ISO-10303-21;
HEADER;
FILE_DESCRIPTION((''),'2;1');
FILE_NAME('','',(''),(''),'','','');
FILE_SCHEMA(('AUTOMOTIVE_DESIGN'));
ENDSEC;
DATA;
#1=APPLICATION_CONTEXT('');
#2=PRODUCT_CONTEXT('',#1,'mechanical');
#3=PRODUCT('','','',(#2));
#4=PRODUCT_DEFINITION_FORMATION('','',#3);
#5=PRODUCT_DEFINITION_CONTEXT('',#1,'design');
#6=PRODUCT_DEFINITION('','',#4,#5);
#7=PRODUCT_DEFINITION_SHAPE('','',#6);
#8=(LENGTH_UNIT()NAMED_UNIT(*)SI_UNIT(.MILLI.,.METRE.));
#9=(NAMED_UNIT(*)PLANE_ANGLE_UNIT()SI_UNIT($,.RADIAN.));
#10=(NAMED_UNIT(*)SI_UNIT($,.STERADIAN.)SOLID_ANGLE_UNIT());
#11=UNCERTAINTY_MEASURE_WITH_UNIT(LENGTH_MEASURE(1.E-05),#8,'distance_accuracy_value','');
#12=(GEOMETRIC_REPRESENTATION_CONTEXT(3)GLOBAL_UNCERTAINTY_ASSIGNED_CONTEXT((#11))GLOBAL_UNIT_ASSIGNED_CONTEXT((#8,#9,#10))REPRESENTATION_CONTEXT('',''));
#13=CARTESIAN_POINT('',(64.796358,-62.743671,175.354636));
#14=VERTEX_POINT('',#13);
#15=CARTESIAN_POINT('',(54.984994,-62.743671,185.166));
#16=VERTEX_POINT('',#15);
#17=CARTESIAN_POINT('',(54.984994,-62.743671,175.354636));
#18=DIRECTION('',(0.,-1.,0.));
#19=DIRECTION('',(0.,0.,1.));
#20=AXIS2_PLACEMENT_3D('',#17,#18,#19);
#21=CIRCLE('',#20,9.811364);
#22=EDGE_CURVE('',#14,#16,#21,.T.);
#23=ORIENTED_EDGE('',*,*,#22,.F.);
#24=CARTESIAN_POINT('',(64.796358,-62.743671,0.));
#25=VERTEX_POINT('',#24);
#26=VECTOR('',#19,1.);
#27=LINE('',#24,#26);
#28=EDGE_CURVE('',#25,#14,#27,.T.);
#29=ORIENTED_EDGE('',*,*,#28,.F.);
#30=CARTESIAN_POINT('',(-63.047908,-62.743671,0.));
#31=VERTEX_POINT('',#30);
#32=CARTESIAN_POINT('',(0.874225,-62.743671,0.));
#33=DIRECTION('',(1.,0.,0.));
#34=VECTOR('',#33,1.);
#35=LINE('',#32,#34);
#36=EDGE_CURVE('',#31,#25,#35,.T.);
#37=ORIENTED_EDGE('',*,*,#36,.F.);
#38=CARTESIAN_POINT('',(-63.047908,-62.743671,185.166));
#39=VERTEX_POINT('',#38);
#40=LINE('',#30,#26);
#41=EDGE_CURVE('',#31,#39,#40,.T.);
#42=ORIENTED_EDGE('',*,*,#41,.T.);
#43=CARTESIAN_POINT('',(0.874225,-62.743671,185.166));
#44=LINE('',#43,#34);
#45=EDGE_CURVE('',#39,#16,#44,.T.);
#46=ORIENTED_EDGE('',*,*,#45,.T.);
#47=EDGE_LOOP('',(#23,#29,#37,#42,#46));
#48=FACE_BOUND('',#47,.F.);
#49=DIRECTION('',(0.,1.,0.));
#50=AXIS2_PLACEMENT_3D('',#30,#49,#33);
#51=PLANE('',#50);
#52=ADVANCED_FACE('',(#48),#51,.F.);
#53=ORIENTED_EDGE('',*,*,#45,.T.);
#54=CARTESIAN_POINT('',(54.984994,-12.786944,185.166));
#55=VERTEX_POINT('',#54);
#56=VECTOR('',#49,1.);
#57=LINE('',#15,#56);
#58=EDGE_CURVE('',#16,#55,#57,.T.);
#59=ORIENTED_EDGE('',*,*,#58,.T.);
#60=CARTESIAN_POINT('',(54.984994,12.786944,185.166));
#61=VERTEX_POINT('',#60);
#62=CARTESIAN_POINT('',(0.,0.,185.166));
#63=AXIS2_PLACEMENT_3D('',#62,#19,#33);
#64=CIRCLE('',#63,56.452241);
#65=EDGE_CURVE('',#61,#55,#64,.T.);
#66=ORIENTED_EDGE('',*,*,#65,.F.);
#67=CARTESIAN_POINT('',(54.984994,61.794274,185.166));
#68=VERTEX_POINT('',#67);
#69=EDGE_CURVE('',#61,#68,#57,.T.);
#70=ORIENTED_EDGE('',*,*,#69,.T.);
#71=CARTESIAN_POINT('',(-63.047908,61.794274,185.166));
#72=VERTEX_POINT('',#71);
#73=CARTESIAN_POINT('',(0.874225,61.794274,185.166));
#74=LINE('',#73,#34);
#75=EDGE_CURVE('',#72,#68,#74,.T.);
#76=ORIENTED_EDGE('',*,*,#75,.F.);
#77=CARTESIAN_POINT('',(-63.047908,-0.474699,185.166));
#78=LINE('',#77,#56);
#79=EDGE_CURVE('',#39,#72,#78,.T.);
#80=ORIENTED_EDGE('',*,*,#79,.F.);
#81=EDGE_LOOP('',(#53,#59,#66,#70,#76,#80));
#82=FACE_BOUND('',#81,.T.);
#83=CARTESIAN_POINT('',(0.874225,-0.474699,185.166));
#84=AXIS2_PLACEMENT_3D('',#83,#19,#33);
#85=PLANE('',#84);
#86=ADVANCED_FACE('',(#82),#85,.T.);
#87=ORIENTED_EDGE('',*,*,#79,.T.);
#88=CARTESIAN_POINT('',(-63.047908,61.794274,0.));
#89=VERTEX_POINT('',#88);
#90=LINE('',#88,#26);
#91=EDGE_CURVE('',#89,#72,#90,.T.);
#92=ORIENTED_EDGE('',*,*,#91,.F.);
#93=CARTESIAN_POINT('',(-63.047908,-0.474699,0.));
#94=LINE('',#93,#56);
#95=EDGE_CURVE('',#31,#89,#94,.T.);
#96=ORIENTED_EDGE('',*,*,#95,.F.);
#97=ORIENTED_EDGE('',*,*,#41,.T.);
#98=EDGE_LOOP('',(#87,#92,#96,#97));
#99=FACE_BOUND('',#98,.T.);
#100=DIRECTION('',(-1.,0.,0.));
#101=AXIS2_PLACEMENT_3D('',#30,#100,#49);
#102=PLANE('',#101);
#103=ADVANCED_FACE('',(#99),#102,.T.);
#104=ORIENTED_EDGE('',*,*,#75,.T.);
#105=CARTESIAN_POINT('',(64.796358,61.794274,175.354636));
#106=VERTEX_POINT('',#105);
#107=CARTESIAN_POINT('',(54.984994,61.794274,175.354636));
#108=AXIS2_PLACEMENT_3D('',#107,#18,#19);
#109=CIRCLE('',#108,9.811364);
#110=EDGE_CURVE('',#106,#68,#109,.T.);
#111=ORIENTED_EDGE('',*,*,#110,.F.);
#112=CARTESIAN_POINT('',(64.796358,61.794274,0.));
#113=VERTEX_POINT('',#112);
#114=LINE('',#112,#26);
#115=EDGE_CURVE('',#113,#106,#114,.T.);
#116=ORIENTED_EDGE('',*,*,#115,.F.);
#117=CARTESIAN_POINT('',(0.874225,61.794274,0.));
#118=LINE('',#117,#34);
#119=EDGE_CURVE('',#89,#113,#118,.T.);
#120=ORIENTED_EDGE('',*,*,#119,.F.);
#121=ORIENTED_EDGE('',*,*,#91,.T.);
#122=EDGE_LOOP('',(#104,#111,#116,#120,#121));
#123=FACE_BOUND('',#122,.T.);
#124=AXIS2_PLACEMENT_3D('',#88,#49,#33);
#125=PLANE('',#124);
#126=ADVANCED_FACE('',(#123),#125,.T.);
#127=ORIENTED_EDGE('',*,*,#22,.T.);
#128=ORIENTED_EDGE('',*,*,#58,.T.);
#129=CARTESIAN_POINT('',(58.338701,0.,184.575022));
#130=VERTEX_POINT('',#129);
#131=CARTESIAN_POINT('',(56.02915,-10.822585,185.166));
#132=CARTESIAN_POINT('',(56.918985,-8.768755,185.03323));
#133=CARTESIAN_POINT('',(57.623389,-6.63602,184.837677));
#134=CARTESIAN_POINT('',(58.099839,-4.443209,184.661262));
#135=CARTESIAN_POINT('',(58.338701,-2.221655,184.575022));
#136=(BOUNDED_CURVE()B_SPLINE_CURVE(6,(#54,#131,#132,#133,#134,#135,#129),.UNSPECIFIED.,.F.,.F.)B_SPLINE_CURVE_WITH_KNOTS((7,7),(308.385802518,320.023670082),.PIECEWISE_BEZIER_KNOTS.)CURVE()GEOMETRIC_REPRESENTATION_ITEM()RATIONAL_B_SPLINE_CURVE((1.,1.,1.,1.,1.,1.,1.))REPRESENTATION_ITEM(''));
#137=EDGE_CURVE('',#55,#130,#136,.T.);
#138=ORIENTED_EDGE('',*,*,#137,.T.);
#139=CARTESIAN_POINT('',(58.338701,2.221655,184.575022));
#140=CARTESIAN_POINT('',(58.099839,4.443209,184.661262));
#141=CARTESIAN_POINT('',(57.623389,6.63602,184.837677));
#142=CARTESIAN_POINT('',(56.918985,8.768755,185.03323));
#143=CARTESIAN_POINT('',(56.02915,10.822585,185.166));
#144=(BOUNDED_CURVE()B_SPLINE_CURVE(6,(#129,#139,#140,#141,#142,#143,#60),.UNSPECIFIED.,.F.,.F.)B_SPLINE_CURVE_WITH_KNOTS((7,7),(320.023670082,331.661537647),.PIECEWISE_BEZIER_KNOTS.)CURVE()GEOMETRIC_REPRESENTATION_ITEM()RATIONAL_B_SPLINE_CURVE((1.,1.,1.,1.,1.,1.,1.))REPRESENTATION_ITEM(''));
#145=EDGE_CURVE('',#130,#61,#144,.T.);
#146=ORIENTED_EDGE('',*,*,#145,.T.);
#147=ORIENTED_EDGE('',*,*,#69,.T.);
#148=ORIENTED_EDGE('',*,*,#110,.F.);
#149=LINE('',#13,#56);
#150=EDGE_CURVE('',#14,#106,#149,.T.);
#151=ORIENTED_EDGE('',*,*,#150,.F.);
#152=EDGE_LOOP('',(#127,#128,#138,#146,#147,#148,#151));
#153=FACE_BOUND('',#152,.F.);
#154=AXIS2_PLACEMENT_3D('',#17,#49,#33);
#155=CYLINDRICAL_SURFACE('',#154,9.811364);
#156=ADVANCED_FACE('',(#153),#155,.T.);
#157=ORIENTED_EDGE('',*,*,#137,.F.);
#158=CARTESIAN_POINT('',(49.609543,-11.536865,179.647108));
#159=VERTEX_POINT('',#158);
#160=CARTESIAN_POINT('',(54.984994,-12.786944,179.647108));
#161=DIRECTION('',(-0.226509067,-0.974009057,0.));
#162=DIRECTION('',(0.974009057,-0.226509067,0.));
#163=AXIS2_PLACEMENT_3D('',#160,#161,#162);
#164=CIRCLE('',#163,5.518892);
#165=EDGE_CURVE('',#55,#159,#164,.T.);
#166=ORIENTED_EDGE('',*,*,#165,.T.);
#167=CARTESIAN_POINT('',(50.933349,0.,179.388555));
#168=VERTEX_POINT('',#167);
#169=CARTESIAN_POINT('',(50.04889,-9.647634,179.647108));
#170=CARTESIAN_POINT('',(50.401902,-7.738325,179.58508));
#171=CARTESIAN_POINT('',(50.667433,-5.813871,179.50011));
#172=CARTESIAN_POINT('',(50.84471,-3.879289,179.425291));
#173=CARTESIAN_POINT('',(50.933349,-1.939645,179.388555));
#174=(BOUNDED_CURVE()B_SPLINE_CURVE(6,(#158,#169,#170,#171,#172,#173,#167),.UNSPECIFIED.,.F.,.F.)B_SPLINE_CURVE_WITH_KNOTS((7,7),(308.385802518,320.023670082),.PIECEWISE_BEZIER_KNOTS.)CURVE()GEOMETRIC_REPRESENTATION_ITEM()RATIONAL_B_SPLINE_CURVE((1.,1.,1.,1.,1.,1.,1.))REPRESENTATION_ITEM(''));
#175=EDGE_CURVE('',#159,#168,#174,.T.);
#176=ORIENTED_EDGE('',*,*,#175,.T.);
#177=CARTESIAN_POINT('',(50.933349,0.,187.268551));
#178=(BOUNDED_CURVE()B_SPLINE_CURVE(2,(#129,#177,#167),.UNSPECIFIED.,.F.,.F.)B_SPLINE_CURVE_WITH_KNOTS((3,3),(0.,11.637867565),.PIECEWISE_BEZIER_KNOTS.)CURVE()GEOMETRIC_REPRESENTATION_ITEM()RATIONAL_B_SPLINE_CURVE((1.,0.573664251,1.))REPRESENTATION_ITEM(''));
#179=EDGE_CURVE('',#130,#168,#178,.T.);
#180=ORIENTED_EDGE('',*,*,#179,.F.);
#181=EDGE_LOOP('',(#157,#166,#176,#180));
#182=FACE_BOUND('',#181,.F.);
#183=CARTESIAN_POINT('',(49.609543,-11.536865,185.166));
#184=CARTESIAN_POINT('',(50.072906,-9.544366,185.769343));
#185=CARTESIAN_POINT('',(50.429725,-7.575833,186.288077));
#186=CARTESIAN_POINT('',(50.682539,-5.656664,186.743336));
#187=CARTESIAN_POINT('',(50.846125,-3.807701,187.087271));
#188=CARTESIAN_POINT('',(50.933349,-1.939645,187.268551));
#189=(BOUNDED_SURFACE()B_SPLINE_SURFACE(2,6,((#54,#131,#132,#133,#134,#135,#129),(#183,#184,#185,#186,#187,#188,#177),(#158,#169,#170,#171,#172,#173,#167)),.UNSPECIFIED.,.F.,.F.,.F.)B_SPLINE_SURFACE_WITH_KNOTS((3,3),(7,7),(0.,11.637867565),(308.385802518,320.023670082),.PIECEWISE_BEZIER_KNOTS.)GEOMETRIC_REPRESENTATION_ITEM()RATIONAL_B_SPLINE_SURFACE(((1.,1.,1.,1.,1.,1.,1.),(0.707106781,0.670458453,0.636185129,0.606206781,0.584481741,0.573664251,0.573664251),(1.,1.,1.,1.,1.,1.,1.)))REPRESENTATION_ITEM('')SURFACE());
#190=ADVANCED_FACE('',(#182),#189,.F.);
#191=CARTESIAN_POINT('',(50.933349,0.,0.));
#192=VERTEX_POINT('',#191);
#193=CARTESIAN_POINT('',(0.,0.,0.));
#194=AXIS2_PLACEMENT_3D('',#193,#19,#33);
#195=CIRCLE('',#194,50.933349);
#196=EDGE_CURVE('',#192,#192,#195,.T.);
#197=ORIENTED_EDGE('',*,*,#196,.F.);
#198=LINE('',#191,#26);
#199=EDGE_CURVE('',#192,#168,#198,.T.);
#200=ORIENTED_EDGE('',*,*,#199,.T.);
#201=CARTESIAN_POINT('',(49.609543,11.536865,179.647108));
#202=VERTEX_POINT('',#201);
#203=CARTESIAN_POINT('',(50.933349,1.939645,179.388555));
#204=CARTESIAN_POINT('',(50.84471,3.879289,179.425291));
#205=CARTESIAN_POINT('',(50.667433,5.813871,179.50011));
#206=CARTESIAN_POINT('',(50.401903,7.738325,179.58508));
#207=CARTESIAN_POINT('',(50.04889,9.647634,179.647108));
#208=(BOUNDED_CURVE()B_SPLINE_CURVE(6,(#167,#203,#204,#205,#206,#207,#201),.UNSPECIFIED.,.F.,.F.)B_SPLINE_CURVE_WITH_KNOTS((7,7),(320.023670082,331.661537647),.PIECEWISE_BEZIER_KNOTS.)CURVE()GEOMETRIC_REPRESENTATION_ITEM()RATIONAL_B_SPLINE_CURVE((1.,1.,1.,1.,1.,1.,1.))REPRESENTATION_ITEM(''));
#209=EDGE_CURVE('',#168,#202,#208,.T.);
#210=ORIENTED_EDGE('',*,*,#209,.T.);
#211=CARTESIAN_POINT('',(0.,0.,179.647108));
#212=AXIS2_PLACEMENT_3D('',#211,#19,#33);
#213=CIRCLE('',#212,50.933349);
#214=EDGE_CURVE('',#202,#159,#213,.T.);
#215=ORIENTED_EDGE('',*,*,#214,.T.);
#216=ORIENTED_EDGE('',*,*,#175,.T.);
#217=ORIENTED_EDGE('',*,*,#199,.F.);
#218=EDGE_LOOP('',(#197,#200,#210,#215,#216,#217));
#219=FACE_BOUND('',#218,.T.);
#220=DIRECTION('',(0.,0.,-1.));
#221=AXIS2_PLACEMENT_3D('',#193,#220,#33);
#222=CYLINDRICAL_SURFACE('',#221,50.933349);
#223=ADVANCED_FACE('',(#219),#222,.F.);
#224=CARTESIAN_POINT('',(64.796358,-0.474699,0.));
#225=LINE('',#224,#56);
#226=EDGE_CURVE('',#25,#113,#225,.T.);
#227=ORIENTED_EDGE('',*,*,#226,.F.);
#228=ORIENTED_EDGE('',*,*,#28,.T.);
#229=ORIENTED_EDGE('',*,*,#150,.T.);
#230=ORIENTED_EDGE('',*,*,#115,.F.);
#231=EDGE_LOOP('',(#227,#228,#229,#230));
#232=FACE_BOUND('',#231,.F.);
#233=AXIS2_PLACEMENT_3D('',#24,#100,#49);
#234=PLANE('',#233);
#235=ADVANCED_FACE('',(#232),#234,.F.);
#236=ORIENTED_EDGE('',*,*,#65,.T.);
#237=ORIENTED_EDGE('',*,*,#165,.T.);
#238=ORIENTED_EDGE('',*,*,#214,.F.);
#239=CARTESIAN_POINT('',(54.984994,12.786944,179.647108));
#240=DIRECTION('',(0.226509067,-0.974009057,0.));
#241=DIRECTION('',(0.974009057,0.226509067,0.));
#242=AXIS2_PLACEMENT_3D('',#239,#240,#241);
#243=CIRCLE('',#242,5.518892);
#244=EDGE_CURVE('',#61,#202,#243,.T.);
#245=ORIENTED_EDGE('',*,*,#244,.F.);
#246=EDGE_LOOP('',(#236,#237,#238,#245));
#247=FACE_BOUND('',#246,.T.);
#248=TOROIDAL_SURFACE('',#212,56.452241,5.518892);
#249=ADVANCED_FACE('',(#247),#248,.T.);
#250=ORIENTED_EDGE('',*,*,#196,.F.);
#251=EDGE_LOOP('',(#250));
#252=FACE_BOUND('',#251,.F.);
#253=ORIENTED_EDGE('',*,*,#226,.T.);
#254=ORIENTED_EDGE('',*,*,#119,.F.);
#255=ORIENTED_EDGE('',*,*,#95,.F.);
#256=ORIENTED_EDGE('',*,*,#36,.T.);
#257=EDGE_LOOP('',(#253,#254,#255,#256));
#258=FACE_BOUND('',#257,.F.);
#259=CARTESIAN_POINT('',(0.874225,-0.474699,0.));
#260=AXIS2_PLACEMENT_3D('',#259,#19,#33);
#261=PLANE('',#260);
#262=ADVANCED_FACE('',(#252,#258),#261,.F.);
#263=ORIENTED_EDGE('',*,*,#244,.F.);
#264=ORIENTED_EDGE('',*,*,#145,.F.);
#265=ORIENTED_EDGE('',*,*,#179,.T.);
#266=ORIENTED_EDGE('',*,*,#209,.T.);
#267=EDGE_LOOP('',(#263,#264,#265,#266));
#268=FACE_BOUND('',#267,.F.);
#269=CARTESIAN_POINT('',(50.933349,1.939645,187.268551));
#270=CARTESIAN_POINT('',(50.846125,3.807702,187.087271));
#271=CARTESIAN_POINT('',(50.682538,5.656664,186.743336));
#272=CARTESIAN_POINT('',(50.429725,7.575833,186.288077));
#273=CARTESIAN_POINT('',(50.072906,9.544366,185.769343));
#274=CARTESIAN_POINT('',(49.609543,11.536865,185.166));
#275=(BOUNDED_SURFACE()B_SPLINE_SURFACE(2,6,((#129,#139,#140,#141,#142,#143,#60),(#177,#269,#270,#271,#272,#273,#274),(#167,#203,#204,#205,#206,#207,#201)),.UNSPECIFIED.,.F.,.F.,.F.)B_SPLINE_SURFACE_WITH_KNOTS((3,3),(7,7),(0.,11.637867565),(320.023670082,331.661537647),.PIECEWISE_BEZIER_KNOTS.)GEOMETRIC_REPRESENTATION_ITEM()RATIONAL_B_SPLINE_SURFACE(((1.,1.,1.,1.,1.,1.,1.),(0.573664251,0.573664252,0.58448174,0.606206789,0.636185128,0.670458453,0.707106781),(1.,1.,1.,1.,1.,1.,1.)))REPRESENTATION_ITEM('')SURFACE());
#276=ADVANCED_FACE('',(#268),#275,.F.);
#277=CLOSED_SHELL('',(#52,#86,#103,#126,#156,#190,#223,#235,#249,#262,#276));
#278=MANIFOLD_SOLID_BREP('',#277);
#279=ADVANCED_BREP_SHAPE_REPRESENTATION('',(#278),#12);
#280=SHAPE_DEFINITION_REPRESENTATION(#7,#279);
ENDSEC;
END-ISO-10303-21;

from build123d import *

# Parameters (mm, degrees)
F0_W     = 127.844266
F0_H     = 124.537945
F0_R     = 50.933349
F1_DEPTH = 185.166
F2_R     = 9.811364
F3_R     = 5.518892


with BuildPart() as f1:
    # F0 (on Top) → F1 (new body)
    with BuildSketch(Plane.XY):
        with Locations((0.874225, -0.474699)):
            Rectangle(F0_W, F0_H)
        Circle(F0_R, mode=Mode.SUBTRACT)
    extrude(amount=F1_DEPTH)

    # F2
    f2_edges = [f1.edges().sort_by_distance(p)[0] for p in [
        (64.796358, -0.474699, 185.166),
    ]]
    fillet(f2_edges, radius=F2_R)

    # F3
    f3_edges = [f1.edges().sort_by_distance(p)[0] for p in [
        (-50.933349, 0, 185.166),
    ]]
    fillet(f3_edges, radius=F3_R)


solid = f1.part
